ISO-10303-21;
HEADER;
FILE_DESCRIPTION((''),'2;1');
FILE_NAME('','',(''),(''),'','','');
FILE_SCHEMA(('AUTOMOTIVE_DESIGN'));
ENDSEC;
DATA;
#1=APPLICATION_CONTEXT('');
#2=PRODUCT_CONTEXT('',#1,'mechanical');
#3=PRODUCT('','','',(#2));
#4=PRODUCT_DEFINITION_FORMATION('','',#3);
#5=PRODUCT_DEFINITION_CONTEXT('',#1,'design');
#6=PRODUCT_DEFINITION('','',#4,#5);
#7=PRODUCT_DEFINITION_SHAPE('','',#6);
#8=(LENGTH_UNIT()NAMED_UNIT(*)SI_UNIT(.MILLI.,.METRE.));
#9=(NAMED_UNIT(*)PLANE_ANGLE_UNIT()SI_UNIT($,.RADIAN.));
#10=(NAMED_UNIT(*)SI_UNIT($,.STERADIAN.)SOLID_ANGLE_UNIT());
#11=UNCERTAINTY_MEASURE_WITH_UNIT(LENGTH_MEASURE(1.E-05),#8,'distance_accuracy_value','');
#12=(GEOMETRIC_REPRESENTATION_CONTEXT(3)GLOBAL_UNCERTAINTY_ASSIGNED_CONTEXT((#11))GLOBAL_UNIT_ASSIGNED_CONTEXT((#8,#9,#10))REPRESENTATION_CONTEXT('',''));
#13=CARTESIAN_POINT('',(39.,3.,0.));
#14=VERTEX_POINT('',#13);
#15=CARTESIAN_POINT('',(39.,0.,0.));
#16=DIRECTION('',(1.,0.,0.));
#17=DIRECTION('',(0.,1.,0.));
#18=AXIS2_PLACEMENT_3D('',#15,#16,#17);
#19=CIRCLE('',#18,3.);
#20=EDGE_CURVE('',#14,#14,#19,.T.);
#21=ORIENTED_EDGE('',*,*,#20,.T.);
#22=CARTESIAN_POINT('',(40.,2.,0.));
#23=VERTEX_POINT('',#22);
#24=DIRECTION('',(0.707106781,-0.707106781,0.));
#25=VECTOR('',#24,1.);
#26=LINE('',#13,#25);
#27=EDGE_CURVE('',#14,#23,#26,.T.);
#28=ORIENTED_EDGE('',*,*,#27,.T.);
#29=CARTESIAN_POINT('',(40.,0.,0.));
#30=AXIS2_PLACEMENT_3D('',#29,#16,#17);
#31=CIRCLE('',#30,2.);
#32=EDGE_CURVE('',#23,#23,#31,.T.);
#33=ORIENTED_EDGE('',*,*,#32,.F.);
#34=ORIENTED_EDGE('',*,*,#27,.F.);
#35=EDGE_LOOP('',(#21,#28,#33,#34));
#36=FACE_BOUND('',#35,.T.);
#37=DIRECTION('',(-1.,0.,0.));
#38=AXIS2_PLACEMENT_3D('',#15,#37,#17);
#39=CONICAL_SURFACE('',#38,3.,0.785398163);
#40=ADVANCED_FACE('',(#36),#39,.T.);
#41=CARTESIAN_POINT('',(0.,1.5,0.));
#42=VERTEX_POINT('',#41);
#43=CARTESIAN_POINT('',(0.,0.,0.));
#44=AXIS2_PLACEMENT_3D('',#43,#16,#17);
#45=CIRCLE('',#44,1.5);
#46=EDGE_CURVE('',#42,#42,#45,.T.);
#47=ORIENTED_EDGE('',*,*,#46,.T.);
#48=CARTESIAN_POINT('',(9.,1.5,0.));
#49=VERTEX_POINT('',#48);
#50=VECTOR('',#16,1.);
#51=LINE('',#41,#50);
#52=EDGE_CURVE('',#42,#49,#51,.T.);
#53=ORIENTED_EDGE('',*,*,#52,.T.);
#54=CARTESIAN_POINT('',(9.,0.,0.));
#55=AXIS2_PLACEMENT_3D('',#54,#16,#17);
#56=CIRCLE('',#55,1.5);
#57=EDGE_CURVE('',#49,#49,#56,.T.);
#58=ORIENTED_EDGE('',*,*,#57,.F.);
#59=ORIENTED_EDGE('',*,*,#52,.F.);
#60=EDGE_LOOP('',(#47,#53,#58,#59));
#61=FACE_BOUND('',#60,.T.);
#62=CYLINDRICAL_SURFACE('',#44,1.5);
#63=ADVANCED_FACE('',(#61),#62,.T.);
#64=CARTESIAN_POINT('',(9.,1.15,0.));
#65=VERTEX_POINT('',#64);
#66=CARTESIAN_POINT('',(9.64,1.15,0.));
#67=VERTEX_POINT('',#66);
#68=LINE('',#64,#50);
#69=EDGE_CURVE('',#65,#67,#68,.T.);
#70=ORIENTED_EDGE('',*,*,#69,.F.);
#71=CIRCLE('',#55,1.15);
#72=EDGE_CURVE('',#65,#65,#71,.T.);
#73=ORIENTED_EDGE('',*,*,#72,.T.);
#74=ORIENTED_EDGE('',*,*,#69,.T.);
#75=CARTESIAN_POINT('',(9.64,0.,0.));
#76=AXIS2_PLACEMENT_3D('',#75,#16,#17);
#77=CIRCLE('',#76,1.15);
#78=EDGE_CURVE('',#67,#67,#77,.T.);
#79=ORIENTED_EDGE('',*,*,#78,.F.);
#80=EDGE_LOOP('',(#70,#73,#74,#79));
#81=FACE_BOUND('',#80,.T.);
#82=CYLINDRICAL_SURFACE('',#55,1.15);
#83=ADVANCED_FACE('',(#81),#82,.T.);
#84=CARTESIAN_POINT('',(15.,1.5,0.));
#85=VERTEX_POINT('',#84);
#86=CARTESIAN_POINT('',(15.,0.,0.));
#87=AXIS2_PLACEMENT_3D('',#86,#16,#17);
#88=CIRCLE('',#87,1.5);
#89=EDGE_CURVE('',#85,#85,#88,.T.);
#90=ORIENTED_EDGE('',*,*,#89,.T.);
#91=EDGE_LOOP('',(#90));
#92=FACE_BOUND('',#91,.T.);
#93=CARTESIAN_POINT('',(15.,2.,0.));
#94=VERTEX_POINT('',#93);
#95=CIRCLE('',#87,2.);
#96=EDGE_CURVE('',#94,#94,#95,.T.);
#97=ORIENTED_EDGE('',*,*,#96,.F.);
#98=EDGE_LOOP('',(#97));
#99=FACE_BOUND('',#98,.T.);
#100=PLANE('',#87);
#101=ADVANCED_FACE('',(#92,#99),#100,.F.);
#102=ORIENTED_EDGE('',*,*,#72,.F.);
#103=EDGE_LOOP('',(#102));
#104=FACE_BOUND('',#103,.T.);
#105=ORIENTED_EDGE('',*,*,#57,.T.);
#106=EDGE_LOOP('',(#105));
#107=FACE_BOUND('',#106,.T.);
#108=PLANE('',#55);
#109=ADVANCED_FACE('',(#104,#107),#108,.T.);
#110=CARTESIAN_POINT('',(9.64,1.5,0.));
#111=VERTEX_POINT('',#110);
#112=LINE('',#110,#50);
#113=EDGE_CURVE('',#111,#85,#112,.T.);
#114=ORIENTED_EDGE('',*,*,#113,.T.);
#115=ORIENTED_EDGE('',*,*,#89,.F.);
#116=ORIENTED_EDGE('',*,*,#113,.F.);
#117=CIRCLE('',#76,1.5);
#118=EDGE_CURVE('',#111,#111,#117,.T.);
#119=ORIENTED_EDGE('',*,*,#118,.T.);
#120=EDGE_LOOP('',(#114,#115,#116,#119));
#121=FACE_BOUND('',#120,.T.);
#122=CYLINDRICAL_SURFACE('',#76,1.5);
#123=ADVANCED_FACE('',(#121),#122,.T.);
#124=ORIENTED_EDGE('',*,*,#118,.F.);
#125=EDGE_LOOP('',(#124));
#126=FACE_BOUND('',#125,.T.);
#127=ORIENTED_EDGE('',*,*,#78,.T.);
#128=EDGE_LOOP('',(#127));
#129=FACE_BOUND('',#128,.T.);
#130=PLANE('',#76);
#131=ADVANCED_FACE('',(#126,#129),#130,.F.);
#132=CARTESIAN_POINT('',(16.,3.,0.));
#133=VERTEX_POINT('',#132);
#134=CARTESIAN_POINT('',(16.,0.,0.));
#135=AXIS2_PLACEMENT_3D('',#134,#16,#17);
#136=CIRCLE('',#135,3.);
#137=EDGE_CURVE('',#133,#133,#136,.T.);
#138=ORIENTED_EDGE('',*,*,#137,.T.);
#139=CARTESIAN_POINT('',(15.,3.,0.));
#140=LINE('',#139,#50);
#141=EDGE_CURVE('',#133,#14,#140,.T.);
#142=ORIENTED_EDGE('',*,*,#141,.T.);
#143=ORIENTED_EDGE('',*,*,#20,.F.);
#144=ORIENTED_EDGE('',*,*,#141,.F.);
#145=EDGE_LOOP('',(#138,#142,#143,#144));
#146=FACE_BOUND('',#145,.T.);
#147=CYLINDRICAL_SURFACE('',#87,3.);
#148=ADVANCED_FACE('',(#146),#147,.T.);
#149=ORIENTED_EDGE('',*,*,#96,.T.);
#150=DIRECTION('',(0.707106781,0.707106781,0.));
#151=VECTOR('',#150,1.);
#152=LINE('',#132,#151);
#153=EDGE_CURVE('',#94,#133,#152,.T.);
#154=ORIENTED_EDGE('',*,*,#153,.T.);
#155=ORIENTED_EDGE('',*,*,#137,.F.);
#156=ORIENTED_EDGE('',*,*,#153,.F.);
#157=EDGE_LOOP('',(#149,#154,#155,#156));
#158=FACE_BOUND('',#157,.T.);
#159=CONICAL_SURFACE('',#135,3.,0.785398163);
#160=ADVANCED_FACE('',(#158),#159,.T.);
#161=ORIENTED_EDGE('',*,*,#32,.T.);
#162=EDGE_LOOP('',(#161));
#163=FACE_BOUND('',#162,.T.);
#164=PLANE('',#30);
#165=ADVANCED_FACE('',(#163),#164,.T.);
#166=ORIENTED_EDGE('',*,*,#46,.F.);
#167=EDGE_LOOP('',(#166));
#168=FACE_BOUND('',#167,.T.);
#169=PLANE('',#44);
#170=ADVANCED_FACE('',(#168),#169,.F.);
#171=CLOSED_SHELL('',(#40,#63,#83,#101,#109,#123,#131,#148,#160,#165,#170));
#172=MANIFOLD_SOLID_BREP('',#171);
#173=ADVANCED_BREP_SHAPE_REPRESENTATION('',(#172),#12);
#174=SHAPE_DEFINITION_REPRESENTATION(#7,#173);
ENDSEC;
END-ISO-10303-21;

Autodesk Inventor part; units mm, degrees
ref_plane "YZ Plane" through (0, 0, 0) normal (1, 0, 0) x (0, 1, 0)
ref_plane "XZ Plane" through (0, 0, 0) normal (0, 1, 0) x (-1, 0, 0)
ref_plane "XY Plane" through (0, 0, 0) normal (0, 0, 1) x (1, 0, 0)
sketch "Skizze1" plane through (0, 0, 0) normal (0, 0, 1) x (1, 0, 0)
  line L0 (-8, 0) -> (48, 0) projected
  line L1 (0, -0.6) -> (0, 3.6) projected
  line L2 (0, 1.5) -> (9, 1.5)
  line L3 (9, 1.15) -> (9.64, 1.15)
  line L4 (9.64, 1.15) -> (9.64, 1.5)
  line L5 (9.64, 1.5) -> (15, 1.5)
  line L6 (15, 1.5) -> (15, 3)
  line L7 (15, 3) -> (40, 3)
  line L8 (40, 3) -> (40, 0)
  line L9 (40, 0) -> (0, 0)
  line L10 (0, 0) -> (0, 1.5)
  line L11 (9, 1.5) -> (9, 1.15)
  dimension "d0" = 3
  dimension "d1" = 2.3
  dimension "d2" = 9
  dimension "d3" = 0.64
  dimension "d4" = 3
  dimension "d5" = 15
  dimension "d6" = 40
  dimension "d7" = 6
revolve "Umdrehung1" add sketch "Skizze1" angle 360 about axis through (-10, 0, 0) along (1, 0, 0)
thread "Gewinde2" size "M3x0.5" class "6g" standard "ANSI Metric M Profile" length 7
chamfer "Fase1" distance 1 angle 45 2 edges at (15, -3, 0) (40, -3, 0)
properties part number "13_1087_035"
